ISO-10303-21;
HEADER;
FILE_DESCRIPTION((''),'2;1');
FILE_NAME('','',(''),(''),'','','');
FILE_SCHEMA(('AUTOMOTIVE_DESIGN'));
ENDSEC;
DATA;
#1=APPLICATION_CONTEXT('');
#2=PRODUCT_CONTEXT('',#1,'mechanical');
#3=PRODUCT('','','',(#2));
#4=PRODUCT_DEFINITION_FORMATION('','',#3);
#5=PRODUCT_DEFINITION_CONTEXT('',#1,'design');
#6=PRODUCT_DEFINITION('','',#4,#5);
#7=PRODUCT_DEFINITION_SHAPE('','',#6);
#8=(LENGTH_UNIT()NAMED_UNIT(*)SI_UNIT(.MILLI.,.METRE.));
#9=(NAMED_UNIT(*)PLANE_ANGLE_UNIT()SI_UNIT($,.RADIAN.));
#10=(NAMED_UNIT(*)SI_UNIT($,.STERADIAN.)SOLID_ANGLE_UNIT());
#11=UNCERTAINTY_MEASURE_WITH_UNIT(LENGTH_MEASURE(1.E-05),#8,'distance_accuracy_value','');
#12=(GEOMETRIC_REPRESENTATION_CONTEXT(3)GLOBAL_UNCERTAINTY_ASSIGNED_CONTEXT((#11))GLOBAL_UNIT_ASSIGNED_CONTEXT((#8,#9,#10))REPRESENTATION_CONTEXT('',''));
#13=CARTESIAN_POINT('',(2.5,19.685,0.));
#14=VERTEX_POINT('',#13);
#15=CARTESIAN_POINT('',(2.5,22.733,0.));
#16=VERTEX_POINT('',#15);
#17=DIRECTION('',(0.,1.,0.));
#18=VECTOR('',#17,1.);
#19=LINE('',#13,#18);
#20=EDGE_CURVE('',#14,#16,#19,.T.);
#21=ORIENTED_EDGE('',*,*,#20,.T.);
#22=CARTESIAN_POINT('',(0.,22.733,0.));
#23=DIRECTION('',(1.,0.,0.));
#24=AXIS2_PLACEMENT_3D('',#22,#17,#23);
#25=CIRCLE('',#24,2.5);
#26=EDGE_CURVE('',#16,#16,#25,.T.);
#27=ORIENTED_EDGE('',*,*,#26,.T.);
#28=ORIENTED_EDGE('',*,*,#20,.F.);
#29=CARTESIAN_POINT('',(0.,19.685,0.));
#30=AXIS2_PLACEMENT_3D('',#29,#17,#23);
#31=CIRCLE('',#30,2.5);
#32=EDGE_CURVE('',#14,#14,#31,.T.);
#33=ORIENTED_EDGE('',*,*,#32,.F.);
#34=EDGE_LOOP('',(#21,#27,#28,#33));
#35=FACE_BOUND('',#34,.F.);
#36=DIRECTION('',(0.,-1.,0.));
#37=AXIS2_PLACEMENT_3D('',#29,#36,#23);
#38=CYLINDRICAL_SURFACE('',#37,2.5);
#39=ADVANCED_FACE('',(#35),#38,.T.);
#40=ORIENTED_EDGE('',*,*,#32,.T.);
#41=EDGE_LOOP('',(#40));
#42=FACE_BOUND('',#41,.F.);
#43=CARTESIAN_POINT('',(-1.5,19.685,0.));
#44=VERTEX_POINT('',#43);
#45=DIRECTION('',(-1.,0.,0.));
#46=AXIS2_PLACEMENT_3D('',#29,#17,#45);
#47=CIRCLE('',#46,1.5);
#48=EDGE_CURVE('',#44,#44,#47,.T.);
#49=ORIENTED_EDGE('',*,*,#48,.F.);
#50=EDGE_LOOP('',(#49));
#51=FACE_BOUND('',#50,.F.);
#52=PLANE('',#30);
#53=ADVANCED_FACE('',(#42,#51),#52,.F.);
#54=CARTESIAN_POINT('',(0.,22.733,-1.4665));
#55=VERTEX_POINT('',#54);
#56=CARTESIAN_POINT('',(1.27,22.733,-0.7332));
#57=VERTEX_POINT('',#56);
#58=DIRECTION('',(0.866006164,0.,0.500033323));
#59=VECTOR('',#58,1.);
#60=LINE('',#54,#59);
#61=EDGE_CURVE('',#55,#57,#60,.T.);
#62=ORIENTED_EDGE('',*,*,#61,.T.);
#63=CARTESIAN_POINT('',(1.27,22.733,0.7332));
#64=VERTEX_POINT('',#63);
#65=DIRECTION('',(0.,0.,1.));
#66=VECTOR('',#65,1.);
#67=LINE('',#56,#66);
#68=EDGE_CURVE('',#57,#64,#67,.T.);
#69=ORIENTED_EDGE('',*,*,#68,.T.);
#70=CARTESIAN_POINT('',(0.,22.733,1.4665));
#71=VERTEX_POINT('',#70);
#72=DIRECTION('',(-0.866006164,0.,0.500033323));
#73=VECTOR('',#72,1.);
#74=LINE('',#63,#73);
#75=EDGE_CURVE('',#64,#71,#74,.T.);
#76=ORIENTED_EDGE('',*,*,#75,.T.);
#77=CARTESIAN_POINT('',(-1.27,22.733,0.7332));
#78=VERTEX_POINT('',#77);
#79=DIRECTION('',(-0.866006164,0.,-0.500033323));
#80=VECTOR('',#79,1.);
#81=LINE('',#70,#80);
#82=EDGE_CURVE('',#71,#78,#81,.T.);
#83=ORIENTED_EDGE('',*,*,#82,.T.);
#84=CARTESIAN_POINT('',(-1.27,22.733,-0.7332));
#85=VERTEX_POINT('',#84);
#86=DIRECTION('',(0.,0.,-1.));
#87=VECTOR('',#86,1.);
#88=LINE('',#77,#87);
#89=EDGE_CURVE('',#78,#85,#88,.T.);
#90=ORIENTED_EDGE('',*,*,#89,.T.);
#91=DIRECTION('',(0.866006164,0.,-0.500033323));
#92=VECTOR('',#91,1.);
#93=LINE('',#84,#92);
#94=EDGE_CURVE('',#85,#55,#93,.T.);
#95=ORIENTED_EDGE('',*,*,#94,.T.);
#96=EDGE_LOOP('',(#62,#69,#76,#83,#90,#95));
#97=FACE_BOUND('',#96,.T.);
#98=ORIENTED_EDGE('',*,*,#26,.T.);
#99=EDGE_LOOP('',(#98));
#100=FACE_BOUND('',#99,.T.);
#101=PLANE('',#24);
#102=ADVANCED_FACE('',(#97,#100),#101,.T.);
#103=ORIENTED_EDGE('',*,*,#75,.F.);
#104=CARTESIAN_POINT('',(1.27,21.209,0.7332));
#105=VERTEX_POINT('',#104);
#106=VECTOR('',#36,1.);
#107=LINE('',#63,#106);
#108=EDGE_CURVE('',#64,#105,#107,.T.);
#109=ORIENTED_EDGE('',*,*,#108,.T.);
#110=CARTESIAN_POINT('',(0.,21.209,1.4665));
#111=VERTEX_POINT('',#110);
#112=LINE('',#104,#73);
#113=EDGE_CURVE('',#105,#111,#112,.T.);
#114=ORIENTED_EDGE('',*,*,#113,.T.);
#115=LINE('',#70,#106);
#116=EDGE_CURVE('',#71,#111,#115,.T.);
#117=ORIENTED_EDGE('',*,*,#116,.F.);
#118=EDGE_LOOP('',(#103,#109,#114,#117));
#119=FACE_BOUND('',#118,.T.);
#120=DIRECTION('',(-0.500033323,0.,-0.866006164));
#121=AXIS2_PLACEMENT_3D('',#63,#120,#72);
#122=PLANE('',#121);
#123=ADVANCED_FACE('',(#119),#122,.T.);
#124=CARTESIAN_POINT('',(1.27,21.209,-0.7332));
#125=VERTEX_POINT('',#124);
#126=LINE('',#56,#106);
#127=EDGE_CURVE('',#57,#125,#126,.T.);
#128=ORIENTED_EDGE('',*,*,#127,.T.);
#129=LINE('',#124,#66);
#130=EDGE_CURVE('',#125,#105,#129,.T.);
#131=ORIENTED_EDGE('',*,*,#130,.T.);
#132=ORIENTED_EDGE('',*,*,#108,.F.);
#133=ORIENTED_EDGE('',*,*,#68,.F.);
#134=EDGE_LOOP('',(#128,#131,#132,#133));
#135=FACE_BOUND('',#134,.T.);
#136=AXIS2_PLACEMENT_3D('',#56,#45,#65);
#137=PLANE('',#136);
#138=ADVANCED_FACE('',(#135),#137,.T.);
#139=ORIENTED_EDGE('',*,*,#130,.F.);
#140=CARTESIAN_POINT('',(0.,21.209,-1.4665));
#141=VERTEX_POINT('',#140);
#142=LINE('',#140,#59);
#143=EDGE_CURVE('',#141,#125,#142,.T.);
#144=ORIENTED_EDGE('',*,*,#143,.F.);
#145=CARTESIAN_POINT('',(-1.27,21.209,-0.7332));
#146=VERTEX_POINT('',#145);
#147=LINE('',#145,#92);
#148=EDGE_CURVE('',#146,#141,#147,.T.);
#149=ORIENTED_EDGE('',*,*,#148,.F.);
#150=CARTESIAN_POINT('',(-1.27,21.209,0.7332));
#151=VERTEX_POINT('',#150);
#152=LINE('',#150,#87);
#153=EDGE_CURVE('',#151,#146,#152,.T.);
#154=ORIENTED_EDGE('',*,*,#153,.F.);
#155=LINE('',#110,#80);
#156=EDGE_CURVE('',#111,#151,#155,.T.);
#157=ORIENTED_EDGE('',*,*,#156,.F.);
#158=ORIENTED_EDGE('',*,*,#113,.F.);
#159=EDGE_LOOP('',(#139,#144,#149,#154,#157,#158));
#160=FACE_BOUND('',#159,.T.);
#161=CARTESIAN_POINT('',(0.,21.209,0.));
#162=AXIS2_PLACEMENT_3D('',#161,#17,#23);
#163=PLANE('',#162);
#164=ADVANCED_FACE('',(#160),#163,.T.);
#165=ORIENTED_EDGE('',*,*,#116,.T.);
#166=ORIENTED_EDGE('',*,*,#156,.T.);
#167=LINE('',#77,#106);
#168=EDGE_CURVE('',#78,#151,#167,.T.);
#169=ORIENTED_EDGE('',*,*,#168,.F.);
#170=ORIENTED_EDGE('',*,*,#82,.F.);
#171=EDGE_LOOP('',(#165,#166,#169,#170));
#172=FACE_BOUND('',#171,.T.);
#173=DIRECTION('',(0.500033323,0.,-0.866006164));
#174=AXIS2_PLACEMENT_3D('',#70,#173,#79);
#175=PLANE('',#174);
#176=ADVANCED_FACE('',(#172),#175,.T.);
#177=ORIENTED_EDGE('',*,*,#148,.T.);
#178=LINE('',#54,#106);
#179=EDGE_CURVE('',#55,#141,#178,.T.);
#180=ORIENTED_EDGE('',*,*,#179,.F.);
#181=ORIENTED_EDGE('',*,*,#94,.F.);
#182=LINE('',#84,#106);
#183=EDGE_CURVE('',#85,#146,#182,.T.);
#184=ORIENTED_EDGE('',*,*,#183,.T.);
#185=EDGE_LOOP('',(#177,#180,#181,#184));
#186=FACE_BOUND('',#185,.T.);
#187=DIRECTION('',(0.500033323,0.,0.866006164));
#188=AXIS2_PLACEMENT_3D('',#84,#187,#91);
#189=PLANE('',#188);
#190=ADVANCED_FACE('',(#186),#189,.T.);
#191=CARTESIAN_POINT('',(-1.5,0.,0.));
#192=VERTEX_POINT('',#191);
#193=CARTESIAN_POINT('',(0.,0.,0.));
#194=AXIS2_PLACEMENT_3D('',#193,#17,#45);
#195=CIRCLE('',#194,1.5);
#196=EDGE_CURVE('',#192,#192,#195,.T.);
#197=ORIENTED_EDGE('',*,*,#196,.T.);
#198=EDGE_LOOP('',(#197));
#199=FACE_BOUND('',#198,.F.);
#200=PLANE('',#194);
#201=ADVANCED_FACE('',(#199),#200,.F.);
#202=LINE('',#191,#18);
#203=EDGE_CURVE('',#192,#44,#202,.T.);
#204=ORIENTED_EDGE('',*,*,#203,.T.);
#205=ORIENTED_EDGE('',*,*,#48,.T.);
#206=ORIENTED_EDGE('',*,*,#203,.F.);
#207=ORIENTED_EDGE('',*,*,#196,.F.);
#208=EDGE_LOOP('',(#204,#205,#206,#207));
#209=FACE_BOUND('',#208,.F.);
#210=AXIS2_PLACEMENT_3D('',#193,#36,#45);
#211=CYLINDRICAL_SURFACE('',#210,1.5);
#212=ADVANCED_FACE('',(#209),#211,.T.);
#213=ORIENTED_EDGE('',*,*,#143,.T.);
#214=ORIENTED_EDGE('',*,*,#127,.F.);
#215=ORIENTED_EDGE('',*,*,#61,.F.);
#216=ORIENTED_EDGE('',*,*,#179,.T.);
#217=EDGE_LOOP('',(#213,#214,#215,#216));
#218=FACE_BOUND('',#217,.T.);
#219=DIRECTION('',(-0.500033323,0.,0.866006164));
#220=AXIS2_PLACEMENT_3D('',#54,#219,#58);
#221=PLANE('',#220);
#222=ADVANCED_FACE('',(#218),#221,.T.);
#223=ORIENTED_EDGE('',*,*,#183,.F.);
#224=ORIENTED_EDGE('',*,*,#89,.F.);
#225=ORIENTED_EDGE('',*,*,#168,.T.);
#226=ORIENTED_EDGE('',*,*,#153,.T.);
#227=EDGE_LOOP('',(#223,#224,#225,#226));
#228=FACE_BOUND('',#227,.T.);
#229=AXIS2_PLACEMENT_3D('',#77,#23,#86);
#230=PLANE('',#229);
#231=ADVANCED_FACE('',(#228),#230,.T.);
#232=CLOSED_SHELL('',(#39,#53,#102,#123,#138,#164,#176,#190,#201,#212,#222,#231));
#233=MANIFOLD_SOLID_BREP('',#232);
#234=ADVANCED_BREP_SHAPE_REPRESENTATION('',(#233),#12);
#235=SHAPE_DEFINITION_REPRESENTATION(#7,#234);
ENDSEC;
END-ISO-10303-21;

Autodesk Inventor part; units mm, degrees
ref_plane "YZ Plane" through (0, 0, 0) normal (1, 0, 0) x (0, 1, 0)
ref_plane "XZ Plane" through (0, 0, 0) normal (0, 1, 0) x (-1, 0, 0)
ref_plane "XY Plane" through (0, 0, 0) normal (0, 0, 1) x (1, 0, 0)
sketch "Sketch1" plane through (0, 0, 0) normal (0, 1, 0) x (-1, 0, 0)
  circle A0 centre (0, 0) radius 1.5
  dimension "d0" = 3
extrude "Extrusion1" add sketch "Sketch1" along normal blind 19.685
sketch "Sketch2" plane through (0, 19.685, 0) normal (0, 1, 0) x (1, 0, 0)
  circle A0 centre (0, 0) radius 1.5 projected
  circle A1 centre (0, 0) radius 2.5
  dimension "d3" = 5
extrude "Extrusion2" add sketch "Sketch2" along normal blind 3.048 contours A0 | A1
sketch "Sketch3" plane through (0, 22.733, 0) normal (0, 1, 0) x (1, 0, 0)
  circle A0 centre (0, 0) radius 2.5 projected
  line L0 (-1.27, 0.7332) -> (0, 1.4665)
  line L1 (0, 1.4665) -> (1.27, 0.7332)
  line L2 (1.27, 0.7332) -> (1.27, -0.7332)
  line L3 (1.27, -0.7332) -> (0, -1.4665)
  line L4 (0, -1.4665) -> (-1.27, -0.7332)
  line L5 (-1.27, -0.7332) -> (-1.27, 0.7332)
  dimension "d6" = 1.27
extrude "Extrusion3" cut sketch "Sketch3" against normal blind 1.524 contours L0 L1 L2 L3 L4 L5
thread "Thread1" size "5-40 UNC" class "2A" standard "ANSI Unified Screw Threads" full length
properties part number "Threaded Rod Screw"
